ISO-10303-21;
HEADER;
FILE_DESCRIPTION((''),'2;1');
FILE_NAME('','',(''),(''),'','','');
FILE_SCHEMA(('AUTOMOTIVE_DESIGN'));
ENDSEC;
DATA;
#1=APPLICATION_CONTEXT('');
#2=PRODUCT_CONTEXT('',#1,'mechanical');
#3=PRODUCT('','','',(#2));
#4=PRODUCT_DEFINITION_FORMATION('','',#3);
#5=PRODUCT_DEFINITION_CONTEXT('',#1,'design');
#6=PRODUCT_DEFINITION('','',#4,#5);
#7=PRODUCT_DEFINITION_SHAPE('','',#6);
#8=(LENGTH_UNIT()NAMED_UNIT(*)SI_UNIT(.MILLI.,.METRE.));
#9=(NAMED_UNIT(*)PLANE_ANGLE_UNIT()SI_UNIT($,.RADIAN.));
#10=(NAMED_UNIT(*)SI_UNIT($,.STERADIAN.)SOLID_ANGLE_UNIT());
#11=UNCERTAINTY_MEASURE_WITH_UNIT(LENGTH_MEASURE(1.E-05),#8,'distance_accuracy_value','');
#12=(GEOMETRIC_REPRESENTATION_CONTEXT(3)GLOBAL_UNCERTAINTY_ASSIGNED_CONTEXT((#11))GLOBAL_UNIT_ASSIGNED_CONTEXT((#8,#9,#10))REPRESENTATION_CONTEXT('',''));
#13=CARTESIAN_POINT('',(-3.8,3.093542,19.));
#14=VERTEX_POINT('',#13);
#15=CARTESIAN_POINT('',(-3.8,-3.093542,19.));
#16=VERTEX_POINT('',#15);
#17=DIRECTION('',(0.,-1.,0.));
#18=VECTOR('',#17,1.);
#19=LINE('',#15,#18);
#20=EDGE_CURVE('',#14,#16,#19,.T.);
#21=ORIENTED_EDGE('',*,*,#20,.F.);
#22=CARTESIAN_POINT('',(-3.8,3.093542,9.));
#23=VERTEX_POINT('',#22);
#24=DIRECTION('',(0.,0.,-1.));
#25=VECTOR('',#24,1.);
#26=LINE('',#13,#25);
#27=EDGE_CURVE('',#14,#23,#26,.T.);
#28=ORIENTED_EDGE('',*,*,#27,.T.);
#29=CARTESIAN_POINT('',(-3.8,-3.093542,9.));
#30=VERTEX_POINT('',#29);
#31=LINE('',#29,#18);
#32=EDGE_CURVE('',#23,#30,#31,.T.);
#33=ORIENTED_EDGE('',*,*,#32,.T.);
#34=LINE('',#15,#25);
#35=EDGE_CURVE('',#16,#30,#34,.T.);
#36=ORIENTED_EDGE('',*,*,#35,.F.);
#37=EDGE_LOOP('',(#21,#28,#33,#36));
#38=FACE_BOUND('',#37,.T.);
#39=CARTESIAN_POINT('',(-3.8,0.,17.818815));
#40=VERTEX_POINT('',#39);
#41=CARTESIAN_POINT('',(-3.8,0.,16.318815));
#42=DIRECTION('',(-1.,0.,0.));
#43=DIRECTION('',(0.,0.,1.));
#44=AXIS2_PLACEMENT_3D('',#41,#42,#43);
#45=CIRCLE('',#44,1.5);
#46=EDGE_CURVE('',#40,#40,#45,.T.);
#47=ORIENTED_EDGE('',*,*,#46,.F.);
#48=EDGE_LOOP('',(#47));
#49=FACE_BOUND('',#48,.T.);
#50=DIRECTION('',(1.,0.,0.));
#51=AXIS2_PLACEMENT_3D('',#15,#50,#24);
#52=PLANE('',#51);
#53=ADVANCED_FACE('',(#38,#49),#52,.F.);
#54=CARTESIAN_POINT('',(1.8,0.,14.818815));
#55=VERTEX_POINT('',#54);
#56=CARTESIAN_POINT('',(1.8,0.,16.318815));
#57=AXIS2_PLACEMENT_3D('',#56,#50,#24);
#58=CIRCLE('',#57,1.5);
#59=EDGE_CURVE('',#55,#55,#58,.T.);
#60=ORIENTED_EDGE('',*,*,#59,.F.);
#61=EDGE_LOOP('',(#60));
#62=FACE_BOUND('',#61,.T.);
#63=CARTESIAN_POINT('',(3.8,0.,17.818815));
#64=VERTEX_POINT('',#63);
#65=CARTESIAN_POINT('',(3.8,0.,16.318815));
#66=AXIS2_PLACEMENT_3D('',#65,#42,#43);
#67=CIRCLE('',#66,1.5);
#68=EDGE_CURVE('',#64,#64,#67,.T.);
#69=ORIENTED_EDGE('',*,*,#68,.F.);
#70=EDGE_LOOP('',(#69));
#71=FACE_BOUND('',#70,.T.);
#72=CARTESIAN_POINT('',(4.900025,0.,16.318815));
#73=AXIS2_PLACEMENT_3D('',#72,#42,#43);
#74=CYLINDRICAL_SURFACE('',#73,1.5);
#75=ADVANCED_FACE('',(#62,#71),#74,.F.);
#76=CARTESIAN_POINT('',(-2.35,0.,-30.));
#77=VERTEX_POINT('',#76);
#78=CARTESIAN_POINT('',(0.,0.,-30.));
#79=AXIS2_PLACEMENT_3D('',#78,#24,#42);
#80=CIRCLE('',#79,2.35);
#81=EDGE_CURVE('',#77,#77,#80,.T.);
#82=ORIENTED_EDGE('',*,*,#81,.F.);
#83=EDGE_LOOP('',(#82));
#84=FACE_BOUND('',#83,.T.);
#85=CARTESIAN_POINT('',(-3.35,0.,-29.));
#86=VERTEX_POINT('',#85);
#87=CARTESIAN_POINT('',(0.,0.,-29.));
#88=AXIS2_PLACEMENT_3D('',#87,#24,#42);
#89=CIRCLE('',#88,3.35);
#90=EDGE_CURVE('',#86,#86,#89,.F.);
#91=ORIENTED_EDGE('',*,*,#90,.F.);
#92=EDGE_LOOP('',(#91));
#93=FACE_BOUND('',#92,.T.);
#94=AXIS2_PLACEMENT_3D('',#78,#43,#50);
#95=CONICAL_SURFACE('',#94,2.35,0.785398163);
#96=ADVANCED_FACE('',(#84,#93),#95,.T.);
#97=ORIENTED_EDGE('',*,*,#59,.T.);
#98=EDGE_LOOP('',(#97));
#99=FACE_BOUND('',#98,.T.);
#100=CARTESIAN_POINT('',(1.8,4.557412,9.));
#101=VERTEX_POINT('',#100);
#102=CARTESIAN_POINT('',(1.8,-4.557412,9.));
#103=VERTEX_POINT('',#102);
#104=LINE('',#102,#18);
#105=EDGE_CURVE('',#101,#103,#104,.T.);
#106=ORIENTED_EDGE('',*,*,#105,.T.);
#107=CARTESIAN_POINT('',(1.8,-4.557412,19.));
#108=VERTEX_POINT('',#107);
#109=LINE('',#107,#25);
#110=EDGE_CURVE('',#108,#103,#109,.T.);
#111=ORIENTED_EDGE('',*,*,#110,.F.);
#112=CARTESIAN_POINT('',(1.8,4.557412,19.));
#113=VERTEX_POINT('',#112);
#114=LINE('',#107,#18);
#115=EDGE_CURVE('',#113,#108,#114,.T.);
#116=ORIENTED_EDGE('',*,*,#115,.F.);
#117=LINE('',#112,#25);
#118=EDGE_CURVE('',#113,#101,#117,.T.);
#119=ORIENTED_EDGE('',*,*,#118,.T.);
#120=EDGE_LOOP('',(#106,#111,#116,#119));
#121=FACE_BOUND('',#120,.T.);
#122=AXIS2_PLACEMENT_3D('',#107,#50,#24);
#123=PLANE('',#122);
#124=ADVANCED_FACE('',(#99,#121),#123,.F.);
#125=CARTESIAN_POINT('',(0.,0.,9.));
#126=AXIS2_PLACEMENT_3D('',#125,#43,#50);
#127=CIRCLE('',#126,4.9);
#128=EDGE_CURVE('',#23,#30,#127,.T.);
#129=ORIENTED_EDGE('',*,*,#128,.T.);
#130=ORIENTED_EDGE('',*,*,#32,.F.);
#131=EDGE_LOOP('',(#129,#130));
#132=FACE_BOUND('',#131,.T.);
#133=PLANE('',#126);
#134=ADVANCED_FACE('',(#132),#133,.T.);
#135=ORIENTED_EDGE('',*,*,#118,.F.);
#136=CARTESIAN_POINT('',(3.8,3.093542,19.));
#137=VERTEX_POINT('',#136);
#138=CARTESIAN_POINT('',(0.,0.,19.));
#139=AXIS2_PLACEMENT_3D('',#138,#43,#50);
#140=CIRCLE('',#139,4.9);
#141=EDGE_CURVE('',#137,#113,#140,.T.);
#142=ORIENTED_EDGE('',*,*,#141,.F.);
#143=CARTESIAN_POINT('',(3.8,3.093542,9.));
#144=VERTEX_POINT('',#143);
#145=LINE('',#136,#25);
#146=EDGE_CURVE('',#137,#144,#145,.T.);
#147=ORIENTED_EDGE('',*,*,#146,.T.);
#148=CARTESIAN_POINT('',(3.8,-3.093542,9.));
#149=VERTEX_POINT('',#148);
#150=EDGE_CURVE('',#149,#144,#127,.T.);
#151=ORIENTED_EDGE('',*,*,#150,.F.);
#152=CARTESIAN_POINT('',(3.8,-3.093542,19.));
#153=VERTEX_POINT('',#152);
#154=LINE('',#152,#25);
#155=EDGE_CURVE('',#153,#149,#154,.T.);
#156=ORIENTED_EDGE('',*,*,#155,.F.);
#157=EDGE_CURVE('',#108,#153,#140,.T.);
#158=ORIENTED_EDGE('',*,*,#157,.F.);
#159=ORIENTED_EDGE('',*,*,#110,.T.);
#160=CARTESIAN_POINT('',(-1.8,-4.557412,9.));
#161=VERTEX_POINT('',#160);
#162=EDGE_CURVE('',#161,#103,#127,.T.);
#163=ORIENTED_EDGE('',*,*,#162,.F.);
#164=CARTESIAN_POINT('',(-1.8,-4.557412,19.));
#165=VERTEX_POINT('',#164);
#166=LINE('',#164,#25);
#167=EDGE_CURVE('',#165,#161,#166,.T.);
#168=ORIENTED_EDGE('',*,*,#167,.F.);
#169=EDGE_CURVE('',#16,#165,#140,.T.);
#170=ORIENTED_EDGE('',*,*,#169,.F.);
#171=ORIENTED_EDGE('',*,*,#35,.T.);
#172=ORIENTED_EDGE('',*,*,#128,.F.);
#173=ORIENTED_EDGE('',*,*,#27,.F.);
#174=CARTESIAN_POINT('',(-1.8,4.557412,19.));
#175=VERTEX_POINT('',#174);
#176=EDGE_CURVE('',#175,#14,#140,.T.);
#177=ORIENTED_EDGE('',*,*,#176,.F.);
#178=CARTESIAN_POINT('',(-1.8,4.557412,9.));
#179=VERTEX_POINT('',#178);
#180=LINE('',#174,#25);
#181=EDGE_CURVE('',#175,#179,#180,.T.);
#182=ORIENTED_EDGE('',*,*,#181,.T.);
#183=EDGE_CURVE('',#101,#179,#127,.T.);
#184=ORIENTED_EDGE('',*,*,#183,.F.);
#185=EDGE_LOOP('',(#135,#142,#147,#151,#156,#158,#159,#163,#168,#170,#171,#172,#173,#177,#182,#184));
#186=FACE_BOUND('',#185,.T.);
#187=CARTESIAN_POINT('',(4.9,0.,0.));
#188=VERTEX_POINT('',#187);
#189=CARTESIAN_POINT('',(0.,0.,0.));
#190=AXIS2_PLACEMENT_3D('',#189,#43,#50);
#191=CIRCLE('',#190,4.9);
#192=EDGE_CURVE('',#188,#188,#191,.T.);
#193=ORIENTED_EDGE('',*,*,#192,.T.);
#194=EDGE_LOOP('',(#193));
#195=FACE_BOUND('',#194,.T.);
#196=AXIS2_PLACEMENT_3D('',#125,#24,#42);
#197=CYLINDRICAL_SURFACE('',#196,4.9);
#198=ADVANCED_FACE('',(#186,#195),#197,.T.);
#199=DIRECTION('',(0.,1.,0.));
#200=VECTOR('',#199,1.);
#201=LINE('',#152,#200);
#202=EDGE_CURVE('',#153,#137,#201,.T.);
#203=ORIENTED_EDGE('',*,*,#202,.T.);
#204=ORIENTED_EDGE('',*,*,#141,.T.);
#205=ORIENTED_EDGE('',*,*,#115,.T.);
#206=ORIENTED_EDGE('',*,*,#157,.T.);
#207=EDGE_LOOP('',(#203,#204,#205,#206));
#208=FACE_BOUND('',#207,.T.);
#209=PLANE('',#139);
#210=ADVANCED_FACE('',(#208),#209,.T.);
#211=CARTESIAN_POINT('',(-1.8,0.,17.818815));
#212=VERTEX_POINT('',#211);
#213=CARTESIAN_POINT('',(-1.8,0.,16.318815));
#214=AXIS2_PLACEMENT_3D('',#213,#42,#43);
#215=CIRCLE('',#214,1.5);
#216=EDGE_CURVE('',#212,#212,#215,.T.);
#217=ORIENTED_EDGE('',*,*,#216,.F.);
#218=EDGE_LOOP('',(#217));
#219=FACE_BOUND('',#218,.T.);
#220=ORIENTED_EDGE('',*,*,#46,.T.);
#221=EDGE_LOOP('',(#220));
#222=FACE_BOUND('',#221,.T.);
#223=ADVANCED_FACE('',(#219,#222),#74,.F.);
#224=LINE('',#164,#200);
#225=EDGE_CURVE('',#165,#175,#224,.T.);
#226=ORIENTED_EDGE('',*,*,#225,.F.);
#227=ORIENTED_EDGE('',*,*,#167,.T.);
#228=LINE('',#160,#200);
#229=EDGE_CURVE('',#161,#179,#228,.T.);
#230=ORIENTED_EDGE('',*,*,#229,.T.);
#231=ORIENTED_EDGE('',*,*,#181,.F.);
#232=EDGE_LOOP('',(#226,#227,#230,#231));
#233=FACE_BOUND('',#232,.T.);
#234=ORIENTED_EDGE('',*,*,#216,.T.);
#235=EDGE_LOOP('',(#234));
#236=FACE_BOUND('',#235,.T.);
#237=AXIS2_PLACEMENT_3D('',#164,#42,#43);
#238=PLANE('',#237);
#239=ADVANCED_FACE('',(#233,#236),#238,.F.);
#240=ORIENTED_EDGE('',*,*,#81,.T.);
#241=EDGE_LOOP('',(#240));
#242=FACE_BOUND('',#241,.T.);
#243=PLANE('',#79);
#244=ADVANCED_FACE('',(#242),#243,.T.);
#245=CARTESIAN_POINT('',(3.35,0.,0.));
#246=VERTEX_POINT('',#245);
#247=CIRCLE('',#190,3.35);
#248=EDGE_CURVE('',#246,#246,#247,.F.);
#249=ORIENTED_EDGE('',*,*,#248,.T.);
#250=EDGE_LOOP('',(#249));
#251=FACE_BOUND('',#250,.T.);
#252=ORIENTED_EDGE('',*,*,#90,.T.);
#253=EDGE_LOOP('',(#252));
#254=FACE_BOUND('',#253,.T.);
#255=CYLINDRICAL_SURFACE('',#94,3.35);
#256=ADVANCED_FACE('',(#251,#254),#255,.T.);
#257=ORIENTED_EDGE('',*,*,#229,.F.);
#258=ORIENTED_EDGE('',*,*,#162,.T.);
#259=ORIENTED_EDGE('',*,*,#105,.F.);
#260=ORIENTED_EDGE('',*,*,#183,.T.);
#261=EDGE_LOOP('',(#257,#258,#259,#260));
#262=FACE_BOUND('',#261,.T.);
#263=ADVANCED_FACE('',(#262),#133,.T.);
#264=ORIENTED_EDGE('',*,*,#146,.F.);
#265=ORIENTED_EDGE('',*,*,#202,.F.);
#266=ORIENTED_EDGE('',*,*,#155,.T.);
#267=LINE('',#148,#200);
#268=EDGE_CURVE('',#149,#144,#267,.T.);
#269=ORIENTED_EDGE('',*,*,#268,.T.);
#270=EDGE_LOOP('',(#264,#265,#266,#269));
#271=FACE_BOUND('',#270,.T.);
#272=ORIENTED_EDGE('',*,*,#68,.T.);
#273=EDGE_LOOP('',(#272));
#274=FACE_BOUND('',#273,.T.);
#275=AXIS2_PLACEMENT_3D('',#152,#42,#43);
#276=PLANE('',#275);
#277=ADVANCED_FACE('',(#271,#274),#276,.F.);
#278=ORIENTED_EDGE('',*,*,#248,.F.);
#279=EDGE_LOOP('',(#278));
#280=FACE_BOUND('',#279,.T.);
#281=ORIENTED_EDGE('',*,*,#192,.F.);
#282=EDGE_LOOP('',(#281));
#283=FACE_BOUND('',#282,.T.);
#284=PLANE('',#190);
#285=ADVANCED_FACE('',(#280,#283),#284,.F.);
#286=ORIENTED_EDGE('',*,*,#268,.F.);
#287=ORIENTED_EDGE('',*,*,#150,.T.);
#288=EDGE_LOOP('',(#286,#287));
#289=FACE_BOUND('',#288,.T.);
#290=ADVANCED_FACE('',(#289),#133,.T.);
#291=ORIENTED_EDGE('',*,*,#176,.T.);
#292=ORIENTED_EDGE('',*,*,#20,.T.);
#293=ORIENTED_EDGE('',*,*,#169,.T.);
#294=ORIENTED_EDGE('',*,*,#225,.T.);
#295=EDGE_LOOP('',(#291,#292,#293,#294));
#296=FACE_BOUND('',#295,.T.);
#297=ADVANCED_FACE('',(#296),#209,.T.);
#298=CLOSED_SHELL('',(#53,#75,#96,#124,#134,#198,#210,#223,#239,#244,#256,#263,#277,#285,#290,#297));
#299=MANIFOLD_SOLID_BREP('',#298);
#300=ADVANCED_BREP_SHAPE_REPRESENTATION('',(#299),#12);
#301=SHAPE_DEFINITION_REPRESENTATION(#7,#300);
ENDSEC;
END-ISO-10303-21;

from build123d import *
from build123d.topology import SkipClean

# Parameters (mm, degrees)
SKETCH_2_R          = 4.9
EXTRUDE_1_DEPTH     = 9
EXTRUDE_2_DEPTH     = 10
SKETCH_4_R          = 1.5
CUT_EXTRUDE_1_DEPTH = 22.46392322
SKETCH_5_R          = 3.35
EXTRUDE_3_DEPTH     = 30
CHAMFER_1_SIZE      = 1


with BuildPart() as part:
    # 草图2 → 凸台-拉伸1 (new body)
    with BuildSketch(Plane.XY):
        Circle(SKETCH_2_R)
    extrude(amount=EXTRUDE_1_DEPTH)

    # 草图3 → 凸台-拉伸2 (add)
    with SkipClean():  # the faces are left unmerged after this step: merging them gives an invalid solid
        with BuildSketch(Plane.XY.offset(9)):
            with BuildLine():
                Line((-1.8, -4.557411546), (-1.8, 4.557411546))
                ThreePointArc((-1.8, 4.557411546), (-2.894085134, 3.954019631), (-3.8, 3.09354166))
                Line((-3.8, 3.09354166), (-3.8, -3.09354166))
                ThreePointArc((-3.8, -3.09354166), (-2.894085134, -3.954019631), (-1.8, -4.557411546))
            make_face()
            with BuildLine():
                Line((1.8, -4.557411546), (1.8, 4.557411546))
                ThreePointArc((1.8, 4.557411546), (2.894085134, 3.954019631), (3.8, 3.09354166))
                Line((3.8, 3.09354166), (3.8, -3.09354166))
                ThreePointArc((3.8, -3.09354166), (2.894085134, -3.954019631), (1.8, -4.557411546))
            make_face()
        extrude(amount=EXTRUDE_2_DEPTH)

    # 草图4 → 切除-拉伸1 (cut, through all)
    with SkipClean():  # the faces are left unmerged after this step: merging them gives an invalid solid
        with BuildSketch(Plane.ZY.offset(3.8)):
            with Locations((16.318814586, 0)):
                Circle(SKETCH_4_R)
        extrude(amount=-CUT_EXTRUDE_1_DEPTH, mode=Mode.SUBTRACT)

    # 草图5 → 凸台-拉伸3 (add)
    with SkipClean():  # the faces are left unmerged after this step: merging them gives an invalid solid
        with BuildSketch(Plane(origin=(0, 0, 0), x_dir=(-1, 0, 0), z_dir=(0, 0, -1))):
            Circle(SKETCH_5_R)
        extrude(amount=EXTRUDE_3_DEPTH)

    # 倒角1
    chamfer_1_edges = [part.edges().sort_by_distance(p)[0] for p in [
        (3.35, 0, -30),
    ]]
    chamfer(chamfer_1_edges, length=CHAMFER_1_SIZE)


solid = part.part
